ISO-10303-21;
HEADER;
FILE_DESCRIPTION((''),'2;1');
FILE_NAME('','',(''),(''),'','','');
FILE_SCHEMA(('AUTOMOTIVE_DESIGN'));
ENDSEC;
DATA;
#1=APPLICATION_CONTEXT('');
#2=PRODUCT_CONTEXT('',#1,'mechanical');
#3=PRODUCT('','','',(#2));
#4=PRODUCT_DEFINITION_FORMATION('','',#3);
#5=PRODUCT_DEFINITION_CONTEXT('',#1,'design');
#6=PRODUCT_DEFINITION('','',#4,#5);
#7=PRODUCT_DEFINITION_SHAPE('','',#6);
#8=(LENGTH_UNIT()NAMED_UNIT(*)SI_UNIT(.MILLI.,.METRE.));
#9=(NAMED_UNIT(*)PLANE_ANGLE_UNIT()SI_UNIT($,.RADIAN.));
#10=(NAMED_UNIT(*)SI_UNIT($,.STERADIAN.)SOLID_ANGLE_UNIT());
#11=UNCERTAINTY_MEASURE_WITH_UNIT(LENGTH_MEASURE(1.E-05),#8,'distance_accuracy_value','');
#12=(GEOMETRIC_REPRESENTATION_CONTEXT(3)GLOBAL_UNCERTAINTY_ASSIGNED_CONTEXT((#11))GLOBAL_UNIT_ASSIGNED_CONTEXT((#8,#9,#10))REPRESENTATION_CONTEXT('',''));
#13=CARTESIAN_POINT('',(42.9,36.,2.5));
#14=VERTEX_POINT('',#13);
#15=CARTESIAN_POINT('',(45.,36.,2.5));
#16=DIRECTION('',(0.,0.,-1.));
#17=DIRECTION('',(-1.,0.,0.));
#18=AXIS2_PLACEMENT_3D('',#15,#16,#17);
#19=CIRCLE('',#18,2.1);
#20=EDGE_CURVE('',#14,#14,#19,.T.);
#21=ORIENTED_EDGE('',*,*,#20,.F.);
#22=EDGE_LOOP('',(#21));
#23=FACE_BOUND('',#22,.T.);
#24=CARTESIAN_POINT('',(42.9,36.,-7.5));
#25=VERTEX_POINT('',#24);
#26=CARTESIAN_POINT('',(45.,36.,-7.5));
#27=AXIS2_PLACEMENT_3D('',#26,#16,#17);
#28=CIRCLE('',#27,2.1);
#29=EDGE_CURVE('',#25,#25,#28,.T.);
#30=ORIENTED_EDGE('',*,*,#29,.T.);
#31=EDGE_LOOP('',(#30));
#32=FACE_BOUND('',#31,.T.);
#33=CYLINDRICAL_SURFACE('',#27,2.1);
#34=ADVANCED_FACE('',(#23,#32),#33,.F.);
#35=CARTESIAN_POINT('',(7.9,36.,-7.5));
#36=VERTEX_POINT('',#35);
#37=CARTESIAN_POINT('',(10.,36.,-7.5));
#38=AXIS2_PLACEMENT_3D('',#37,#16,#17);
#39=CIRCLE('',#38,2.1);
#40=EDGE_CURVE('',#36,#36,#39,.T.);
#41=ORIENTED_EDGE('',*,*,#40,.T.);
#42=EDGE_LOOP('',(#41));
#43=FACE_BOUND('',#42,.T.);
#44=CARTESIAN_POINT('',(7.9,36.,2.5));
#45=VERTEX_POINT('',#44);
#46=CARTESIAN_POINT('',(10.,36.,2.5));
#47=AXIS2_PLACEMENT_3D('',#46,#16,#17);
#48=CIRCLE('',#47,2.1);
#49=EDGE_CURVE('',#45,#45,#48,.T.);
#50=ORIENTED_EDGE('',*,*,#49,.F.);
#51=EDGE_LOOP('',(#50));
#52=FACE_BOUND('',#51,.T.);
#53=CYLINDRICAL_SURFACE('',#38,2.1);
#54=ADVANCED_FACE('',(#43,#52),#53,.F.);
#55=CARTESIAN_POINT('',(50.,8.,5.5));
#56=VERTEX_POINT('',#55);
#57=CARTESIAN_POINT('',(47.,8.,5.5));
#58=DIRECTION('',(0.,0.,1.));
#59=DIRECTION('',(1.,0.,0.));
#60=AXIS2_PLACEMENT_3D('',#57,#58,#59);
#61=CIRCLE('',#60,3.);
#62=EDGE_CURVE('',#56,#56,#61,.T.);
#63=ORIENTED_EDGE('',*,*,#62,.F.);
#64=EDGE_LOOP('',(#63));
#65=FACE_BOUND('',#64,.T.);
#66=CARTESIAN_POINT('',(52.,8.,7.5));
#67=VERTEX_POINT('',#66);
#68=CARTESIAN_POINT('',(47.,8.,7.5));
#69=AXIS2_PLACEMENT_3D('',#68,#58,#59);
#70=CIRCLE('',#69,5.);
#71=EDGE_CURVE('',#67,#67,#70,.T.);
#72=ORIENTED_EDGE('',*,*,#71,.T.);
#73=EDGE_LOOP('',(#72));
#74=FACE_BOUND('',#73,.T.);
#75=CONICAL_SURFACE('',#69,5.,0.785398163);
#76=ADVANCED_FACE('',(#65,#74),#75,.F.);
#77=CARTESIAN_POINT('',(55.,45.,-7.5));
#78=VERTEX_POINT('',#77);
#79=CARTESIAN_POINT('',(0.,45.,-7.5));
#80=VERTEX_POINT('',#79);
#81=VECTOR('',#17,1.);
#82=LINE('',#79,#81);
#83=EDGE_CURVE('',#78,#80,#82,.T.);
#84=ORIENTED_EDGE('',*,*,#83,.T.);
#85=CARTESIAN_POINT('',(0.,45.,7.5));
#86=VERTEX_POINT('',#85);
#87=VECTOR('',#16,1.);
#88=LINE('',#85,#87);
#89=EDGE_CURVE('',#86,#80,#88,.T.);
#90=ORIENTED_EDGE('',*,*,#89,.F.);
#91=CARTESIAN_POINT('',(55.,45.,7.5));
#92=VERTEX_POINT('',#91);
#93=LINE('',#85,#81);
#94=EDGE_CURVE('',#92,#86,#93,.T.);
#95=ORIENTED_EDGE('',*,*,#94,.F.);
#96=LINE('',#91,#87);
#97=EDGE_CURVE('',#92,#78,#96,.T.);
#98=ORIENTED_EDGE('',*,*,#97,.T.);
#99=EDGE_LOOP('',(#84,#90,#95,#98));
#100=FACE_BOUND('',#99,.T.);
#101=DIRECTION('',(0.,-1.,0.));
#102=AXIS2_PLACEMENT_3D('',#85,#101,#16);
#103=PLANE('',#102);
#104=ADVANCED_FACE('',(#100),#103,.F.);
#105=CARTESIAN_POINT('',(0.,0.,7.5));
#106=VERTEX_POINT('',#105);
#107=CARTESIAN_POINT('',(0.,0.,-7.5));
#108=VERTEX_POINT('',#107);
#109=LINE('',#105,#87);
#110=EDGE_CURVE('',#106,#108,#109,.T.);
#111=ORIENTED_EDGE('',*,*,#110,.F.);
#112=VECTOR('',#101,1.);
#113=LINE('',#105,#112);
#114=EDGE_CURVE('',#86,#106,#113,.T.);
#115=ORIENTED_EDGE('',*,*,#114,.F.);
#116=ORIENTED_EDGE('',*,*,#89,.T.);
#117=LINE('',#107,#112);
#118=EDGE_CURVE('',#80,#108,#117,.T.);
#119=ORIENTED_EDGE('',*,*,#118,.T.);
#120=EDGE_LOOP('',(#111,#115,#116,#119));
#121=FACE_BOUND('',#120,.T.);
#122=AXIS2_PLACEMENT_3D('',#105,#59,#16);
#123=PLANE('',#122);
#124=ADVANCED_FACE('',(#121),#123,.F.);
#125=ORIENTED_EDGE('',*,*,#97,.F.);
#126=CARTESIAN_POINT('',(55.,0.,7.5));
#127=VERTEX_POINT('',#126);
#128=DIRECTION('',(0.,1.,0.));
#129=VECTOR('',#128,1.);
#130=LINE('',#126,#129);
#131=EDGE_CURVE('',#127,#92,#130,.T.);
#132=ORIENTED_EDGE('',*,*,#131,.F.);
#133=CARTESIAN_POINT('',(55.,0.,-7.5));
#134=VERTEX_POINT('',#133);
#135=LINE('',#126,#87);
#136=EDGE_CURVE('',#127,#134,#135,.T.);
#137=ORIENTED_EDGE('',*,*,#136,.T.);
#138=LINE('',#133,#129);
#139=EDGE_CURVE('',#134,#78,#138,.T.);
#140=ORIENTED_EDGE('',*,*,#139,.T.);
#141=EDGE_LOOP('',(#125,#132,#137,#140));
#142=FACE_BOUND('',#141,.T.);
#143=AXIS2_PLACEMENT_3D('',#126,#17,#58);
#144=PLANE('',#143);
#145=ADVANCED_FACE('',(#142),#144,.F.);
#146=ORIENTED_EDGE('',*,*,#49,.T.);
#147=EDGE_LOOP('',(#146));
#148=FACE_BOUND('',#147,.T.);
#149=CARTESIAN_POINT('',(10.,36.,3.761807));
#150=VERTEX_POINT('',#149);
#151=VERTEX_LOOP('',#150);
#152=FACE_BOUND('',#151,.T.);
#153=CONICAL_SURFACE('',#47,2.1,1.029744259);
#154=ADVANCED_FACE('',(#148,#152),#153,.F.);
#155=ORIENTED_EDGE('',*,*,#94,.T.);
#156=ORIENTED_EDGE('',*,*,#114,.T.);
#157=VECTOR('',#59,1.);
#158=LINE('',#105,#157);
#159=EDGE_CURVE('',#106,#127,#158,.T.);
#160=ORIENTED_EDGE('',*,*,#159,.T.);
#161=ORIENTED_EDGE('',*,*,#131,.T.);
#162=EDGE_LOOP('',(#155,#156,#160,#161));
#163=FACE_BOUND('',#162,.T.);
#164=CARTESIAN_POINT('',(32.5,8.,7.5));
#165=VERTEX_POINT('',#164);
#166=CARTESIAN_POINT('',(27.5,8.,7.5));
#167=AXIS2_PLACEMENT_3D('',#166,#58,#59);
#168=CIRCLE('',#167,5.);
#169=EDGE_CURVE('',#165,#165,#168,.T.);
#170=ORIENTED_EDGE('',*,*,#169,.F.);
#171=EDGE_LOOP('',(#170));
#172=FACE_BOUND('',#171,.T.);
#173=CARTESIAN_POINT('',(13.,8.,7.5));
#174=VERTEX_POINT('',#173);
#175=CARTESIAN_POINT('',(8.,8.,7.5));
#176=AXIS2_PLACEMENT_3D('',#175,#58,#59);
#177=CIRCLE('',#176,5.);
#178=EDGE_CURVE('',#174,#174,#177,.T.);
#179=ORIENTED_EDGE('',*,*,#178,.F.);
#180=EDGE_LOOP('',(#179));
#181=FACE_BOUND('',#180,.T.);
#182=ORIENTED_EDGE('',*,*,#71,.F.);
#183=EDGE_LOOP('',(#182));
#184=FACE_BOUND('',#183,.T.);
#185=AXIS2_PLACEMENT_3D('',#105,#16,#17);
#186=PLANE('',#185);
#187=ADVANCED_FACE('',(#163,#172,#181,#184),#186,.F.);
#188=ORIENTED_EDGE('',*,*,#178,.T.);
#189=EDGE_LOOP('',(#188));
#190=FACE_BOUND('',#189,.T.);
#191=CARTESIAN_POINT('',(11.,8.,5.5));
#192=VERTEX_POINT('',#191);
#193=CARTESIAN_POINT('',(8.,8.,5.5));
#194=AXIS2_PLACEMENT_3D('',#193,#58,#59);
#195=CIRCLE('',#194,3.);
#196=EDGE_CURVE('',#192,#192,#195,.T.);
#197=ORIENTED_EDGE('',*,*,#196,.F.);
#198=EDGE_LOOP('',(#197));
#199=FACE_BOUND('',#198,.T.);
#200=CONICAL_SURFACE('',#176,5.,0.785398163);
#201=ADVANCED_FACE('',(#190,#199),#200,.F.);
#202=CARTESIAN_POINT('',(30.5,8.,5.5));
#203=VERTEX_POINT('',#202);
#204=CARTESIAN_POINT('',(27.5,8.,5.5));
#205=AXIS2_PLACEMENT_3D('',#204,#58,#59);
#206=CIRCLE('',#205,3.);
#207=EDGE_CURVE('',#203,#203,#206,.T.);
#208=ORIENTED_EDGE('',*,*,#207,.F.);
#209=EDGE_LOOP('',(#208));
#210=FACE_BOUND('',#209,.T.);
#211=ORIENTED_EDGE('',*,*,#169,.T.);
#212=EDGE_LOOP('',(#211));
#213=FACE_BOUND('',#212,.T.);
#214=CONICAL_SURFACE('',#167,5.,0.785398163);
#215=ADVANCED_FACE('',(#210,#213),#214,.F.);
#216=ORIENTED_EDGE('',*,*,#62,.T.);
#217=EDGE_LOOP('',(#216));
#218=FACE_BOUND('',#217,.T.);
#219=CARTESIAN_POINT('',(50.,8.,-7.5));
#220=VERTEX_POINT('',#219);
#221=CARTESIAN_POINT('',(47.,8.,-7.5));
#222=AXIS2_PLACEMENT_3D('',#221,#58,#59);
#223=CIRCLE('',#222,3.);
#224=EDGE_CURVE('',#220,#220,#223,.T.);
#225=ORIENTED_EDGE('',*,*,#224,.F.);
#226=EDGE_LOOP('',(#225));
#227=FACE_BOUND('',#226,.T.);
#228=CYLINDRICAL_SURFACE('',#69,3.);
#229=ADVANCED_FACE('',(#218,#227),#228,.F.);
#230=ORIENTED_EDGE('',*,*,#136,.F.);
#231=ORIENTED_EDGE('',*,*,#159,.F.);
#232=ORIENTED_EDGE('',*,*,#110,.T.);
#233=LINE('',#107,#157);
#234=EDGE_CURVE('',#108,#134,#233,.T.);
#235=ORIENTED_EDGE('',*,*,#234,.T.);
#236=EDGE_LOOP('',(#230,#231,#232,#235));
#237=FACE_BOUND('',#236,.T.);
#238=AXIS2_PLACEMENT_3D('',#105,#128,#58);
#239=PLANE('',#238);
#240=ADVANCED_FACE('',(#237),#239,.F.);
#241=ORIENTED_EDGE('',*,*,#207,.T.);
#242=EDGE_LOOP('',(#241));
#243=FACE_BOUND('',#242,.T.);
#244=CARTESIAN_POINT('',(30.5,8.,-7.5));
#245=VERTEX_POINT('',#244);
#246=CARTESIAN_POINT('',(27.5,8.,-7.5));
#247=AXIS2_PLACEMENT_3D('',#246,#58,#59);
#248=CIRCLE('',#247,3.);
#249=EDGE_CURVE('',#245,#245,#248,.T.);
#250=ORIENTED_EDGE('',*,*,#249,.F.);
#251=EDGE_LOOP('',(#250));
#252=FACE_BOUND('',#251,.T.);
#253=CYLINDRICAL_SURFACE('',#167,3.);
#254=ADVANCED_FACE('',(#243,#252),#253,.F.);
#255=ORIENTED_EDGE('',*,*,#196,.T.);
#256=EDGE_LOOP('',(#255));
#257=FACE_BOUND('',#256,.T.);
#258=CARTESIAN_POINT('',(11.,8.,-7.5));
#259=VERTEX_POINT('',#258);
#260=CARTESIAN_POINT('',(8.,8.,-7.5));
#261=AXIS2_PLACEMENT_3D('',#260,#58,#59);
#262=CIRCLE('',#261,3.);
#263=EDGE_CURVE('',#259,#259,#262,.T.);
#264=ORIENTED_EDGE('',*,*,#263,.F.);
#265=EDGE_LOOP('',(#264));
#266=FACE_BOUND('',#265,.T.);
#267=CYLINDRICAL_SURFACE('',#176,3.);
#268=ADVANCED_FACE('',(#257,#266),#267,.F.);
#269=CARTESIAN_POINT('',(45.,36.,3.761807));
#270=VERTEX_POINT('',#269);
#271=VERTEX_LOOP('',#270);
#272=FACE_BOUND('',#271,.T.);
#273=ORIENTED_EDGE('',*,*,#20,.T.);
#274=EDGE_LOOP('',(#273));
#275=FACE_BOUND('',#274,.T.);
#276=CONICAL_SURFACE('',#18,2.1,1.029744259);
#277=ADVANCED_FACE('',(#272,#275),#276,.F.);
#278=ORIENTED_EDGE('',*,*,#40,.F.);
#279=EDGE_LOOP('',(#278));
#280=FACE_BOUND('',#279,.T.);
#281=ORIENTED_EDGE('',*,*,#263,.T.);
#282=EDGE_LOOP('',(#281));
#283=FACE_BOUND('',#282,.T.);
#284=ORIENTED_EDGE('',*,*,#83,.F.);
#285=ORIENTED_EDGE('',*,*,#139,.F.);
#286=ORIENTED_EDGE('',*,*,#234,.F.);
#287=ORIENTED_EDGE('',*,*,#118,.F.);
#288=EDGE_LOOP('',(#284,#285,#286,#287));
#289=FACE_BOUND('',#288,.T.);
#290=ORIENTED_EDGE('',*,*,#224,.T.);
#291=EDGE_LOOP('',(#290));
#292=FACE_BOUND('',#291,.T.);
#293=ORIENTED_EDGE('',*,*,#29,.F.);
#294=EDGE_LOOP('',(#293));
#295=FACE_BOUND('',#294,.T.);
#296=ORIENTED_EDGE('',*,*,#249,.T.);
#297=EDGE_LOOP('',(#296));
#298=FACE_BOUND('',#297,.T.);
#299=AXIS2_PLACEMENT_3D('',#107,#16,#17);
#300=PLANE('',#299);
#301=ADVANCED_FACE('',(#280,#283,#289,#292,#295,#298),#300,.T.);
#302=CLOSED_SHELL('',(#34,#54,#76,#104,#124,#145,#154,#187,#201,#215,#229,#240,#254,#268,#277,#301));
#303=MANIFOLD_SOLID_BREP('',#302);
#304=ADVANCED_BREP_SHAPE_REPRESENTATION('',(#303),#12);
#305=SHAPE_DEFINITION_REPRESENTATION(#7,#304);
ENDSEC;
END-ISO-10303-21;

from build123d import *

# Parameters (mm, degrees)
SKETCH1_W                       = 55
SKETCH1_H                       = 45
BOSS_EXTRUDE1_DEPTH             = 7.5
F_6_0MM_DOWEL_HOLE1_D           = 6
F_6_0MM_DOWEL_HOLE1_CSINK_D     = 10
F_6_0MM_DOWEL_HOLE1_CSINK_ANGLE = 90
TAP_DRILL_FOR_M5X0_8_TAP2_D     = 4.2
TAP_DRILL_FOR_M5X0_8_TAP2_DEPTH = 10
TAP_DRILL_FOR_M5X0_8_TAP2_TIP   = 1.2618073


with BuildPart() as part:
    # Sketch1 → Boss-Extrude1 (new body, symmetric)
    with BuildSketch(Plane.XY):
        with Locations((27.5, 22.5)):
            Rectangle(SKETCH1_W, SKETCH1_H)
    extrude(amount=BOSS_EXTRUDE1_DEPTH, both=True)

    # Ø6.0mm Dowel Hole1 (through all)
    with Locations(Plane(origin=(8, 8, 7.5), x_dir=(1, 0, 0), z_dir=(0, 0, 1))):
        with Locations((0, 0), (19.5, 0), (39, 0)):
            CounterSinkHole(F_6_0MM_DOWEL_HOLE1_D / 2, F_6_0MM_DOWEL_HOLE1_CSINK_D / 2, counter_sink_angle=F_6_0MM_DOWEL_HOLE1_CSINK_ANGLE)

    # Tap Drill for M5x0.8 Tap2
    with Locations(Plane(origin=(45, 36, -7.5), x_dir=(-1, 0, 0), z_dir=(0, 0, -1))):
        with Locations((0, 0), (35, 0)):
            Hole(TAP_DRILL_FOR_M5X0_8_TAP2_D / 2, depth=TAP_DRILL_FOR_M5X0_8_TAP2_DEPTH)
            with Locations((0, 0, -(TAP_DRILL_FOR_M5X0_8_TAP2_DEPTH + TAP_DRILL_FOR_M5X0_8_TAP2_TIP / 2))):  # 118° drill point
                Cone(0, TAP_DRILL_FOR_M5X0_8_TAP2_D / 2, TAP_DRILL_FOR_M5X0_8_TAP2_TIP, mode=Mode.SUBTRACT)


solid = part.part
